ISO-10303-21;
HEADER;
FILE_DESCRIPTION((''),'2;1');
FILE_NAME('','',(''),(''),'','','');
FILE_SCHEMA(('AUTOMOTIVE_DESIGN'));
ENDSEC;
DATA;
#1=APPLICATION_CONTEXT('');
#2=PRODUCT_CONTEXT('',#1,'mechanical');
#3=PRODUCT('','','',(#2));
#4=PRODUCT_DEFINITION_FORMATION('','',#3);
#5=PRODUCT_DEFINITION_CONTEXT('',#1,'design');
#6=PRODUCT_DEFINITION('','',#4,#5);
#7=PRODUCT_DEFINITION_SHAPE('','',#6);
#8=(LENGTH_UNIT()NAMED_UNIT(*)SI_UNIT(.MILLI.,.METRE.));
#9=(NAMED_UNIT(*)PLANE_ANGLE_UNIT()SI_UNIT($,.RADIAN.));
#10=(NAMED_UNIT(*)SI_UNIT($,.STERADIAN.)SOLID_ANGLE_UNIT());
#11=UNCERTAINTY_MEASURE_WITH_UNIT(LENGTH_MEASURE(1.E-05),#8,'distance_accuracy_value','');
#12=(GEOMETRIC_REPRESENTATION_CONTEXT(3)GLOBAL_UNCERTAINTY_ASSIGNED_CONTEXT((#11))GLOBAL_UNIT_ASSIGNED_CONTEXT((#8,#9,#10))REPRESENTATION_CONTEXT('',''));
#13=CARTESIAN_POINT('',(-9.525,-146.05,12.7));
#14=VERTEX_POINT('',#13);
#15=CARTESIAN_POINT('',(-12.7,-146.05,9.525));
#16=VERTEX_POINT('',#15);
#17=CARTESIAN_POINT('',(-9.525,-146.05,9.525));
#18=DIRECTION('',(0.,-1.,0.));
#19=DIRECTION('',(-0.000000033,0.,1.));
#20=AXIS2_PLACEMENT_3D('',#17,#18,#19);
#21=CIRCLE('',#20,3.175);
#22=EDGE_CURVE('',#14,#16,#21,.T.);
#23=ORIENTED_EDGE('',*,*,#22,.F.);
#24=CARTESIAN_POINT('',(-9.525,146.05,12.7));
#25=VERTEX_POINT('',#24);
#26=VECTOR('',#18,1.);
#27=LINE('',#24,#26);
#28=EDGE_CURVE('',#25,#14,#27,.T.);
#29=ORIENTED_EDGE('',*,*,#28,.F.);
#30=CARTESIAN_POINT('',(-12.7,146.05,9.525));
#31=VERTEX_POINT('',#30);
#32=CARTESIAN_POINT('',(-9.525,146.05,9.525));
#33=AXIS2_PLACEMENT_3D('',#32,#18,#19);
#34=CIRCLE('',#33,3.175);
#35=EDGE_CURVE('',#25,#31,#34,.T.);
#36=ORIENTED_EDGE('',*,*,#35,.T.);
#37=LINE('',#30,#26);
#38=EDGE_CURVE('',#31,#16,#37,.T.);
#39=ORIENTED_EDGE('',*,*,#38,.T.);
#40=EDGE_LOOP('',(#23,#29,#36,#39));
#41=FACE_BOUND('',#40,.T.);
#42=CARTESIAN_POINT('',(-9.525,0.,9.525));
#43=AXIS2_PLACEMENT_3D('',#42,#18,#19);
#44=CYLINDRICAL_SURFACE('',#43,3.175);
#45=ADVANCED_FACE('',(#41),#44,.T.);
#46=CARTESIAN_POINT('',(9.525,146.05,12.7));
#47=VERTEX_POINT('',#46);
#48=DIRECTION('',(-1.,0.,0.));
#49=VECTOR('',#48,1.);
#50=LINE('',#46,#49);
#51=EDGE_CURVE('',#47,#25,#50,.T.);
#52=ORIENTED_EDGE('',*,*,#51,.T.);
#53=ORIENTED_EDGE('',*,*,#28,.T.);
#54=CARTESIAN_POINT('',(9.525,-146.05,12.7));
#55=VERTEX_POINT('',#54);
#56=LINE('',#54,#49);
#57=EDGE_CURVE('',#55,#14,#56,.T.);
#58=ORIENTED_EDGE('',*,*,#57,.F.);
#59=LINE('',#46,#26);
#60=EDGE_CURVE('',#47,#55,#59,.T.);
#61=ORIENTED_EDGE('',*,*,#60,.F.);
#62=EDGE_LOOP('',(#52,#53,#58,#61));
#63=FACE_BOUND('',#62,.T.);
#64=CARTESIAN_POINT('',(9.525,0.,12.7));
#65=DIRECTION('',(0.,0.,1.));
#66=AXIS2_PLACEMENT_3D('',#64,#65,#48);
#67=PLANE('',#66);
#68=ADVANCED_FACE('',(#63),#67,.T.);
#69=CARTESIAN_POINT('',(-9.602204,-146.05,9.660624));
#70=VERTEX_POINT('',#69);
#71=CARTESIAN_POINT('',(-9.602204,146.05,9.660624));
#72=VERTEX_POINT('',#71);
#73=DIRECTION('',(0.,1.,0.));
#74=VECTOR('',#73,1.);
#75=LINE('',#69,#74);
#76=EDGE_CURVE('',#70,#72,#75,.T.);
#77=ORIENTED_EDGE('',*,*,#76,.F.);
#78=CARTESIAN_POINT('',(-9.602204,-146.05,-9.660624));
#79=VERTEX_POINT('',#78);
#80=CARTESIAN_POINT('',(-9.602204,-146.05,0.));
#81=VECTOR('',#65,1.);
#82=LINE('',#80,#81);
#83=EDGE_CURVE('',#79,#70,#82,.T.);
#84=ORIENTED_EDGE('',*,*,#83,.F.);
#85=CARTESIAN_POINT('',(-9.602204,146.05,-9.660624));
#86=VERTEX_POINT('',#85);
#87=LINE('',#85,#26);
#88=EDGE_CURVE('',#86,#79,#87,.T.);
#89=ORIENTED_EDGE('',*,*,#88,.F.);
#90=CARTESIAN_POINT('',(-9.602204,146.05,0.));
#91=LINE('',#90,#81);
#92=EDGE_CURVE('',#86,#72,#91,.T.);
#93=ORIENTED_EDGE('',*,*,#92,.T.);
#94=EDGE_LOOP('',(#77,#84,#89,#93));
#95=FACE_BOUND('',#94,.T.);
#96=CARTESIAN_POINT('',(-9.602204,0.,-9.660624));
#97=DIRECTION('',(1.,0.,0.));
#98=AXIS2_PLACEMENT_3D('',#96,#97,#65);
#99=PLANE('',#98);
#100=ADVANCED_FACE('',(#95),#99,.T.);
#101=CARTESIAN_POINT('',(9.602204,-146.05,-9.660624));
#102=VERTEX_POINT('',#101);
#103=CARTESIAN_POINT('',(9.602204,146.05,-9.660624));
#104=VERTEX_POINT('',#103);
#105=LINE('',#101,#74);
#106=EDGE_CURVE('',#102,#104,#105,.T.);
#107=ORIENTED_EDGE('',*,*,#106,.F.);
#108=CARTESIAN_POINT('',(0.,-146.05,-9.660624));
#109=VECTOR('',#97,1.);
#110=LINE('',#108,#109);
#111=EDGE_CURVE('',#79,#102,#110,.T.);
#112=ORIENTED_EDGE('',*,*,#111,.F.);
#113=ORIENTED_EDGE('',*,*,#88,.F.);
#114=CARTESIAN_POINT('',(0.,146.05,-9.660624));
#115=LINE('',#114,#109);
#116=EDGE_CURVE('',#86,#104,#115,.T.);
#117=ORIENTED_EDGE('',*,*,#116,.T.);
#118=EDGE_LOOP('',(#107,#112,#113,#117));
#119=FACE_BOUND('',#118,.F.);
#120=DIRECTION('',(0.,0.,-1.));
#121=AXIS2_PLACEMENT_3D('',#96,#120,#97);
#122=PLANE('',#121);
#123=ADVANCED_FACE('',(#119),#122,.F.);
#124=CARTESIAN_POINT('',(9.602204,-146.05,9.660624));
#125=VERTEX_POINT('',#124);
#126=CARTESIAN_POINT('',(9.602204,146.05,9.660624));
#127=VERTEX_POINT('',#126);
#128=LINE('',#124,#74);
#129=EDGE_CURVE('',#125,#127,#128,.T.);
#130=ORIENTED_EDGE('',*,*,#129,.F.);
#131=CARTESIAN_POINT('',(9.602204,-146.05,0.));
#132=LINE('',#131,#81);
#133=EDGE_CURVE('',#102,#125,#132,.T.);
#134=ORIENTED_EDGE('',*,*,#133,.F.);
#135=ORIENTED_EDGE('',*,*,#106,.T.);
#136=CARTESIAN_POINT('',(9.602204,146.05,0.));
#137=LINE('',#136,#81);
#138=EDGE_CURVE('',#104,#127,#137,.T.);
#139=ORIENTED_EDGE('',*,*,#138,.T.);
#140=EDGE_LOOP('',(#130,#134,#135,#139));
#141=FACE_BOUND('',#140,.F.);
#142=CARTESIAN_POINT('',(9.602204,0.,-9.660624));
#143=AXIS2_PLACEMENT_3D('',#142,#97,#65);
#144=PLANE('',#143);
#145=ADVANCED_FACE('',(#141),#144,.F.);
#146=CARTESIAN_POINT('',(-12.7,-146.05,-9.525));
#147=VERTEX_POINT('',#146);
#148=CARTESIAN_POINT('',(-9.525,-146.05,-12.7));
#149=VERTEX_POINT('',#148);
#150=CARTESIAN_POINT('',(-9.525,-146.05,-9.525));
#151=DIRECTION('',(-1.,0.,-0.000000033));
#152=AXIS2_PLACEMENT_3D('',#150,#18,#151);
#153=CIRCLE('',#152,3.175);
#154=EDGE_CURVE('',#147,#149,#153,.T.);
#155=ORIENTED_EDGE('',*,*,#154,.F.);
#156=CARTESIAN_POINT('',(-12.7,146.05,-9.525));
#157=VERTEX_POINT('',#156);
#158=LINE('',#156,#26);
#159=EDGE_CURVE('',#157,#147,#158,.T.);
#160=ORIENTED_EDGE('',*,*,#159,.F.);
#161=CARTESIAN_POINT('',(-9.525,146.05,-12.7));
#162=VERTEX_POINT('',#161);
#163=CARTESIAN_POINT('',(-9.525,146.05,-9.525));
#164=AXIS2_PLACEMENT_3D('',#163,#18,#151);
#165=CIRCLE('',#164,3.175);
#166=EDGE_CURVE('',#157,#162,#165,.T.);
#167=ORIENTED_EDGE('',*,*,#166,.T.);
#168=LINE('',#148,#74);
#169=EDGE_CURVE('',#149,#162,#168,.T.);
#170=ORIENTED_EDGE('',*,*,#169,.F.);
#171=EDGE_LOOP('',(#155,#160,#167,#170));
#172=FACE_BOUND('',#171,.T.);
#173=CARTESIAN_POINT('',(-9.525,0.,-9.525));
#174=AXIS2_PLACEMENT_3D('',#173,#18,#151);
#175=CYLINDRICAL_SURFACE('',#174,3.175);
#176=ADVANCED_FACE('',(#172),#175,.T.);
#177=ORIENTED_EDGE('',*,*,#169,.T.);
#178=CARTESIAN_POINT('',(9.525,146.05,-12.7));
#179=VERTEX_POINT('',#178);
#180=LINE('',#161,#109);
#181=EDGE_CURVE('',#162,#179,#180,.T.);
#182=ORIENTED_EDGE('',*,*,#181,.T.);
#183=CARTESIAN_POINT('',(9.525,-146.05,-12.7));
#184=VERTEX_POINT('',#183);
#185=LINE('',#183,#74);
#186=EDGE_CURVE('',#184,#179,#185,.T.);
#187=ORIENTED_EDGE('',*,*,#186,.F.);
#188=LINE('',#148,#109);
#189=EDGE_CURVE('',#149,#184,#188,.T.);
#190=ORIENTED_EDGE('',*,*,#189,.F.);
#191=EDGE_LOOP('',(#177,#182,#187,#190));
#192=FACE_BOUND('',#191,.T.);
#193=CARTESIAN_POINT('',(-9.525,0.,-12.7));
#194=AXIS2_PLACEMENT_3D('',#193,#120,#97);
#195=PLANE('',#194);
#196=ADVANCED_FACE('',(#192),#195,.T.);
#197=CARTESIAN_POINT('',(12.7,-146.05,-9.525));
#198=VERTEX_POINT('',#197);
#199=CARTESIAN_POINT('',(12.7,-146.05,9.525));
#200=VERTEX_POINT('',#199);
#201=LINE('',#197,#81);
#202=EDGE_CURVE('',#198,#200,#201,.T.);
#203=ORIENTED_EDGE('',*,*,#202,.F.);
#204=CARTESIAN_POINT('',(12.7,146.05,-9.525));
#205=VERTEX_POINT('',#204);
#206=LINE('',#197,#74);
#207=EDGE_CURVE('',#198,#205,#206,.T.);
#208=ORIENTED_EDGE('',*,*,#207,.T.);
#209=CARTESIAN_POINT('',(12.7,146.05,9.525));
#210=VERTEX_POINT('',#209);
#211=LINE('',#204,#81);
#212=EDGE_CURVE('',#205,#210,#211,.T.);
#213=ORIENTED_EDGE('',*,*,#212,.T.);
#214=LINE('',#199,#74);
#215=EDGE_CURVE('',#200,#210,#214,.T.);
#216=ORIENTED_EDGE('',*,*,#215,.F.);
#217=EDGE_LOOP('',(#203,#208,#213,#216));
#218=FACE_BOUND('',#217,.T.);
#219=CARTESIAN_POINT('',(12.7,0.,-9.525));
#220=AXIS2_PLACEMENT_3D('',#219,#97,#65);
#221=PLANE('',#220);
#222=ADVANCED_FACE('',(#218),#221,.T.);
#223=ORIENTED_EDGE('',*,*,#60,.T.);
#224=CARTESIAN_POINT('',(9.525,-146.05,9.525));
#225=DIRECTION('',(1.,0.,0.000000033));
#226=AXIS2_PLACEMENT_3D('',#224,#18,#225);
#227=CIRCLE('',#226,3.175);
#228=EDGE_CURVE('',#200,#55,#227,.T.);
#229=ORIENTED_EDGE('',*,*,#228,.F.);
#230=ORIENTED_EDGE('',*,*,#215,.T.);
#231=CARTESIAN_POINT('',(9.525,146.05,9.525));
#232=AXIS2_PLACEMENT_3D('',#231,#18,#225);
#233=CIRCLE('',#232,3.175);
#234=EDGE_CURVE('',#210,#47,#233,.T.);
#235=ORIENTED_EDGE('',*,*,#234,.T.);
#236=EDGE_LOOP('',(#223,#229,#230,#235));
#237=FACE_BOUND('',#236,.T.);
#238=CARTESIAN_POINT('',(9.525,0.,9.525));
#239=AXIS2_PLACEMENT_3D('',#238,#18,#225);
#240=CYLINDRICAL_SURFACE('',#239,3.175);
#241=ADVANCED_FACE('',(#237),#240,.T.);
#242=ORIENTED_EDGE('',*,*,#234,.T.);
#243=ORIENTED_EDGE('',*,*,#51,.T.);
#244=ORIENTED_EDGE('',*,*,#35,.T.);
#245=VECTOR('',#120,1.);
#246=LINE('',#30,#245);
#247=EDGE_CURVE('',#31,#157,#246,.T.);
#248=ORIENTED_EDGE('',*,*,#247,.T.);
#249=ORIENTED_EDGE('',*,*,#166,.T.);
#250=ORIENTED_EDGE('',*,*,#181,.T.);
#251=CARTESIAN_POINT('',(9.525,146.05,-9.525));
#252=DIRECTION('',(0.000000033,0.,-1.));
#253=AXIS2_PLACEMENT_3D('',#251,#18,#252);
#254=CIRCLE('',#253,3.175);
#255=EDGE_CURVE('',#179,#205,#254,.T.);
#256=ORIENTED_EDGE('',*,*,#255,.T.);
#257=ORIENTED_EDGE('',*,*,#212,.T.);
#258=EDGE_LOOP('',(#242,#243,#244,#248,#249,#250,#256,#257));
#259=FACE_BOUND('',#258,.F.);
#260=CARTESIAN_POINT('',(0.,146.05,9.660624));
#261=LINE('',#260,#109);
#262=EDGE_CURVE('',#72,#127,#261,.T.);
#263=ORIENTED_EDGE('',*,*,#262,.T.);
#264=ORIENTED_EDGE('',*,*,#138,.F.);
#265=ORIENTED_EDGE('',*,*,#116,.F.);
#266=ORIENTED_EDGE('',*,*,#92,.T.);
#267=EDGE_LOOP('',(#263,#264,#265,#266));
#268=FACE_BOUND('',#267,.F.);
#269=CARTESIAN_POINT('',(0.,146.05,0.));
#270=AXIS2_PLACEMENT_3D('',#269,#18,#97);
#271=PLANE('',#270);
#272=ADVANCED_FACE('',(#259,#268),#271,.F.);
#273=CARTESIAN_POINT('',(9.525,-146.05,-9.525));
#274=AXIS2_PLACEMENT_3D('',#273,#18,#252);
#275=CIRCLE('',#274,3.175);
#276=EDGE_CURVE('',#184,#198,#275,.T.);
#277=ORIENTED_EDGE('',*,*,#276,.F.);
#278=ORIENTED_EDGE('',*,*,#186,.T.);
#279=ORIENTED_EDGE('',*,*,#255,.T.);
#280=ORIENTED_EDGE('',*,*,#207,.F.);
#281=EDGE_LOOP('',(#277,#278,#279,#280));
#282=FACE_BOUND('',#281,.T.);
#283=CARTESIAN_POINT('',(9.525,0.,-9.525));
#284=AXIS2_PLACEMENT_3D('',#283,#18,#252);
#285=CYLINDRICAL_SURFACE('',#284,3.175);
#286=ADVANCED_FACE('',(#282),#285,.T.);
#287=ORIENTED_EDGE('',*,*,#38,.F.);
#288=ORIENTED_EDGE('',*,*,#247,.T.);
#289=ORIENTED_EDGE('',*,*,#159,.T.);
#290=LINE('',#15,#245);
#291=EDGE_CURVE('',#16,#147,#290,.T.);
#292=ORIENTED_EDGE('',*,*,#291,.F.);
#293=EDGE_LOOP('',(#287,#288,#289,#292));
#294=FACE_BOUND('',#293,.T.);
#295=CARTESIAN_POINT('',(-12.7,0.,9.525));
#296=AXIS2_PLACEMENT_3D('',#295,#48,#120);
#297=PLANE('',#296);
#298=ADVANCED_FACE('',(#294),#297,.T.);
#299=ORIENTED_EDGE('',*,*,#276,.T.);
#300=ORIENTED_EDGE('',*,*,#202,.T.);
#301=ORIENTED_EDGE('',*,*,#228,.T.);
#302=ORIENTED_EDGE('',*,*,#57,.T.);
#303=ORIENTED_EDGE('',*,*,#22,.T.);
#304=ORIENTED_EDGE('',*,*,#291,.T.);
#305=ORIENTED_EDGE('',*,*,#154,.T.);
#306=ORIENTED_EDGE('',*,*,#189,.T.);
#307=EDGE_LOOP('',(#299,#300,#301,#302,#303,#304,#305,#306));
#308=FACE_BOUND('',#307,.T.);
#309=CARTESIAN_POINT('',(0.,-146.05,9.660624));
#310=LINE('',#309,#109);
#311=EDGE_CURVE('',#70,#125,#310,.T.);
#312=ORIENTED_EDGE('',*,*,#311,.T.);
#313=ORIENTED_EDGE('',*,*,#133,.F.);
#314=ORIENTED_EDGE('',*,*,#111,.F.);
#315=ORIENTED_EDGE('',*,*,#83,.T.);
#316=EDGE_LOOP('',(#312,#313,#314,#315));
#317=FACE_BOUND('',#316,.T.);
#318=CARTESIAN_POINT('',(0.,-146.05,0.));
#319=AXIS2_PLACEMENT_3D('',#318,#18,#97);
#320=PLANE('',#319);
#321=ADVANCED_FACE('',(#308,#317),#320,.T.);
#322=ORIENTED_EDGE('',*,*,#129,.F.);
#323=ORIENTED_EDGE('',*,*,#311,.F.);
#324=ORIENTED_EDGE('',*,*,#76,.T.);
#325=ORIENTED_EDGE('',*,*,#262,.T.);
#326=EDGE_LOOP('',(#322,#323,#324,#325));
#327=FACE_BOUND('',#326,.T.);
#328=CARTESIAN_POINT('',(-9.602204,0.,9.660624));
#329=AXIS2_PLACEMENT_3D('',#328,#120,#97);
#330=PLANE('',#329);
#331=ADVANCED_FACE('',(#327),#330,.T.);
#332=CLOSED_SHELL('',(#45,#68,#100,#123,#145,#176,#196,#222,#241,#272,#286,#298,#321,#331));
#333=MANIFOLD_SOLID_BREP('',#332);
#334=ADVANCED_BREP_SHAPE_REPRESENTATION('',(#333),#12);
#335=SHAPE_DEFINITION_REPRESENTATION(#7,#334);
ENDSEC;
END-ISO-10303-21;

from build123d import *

# Parameters (mm, degrees)
F0_W     = 19.204408
F0_H     = 19.321248
F1_DEPTH = 146.05


with BuildPart() as f1:
    # F0 (on Front) → F1 (new body, symmetric)
    with BuildSketch(Plane.XZ):
        with BuildLine():
            ThreePointArc((12.7, 9.525), (11.770064, 11.770064), (9.525, 12.7))
            Line((9.525, 12.7), (-9.525, 12.7))
            ThreePointArc((-9.525, 12.7), (-11.770064, 11.770064), (-12.7, 9.525))
            Line((-12.7, 9.525), (-12.7, -9.525))
            ThreePointArc((-12.7, -9.525), (-11.770064, -11.770064), (-9.525, -12.7))
            Line((-9.525, -12.7), (9.525, -12.7))
            ThreePointArc((9.525, -12.7), (11.770064, -11.770064), (12.7, -9.525))
            Line((12.7, -9.525), (12.7, 9.525))
        make_face()
        Rectangle(F0_W, F0_H, mode=Mode.SUBTRACT)
    extrude(amount=F1_DEPTH, both=True)


solid = f1.part
